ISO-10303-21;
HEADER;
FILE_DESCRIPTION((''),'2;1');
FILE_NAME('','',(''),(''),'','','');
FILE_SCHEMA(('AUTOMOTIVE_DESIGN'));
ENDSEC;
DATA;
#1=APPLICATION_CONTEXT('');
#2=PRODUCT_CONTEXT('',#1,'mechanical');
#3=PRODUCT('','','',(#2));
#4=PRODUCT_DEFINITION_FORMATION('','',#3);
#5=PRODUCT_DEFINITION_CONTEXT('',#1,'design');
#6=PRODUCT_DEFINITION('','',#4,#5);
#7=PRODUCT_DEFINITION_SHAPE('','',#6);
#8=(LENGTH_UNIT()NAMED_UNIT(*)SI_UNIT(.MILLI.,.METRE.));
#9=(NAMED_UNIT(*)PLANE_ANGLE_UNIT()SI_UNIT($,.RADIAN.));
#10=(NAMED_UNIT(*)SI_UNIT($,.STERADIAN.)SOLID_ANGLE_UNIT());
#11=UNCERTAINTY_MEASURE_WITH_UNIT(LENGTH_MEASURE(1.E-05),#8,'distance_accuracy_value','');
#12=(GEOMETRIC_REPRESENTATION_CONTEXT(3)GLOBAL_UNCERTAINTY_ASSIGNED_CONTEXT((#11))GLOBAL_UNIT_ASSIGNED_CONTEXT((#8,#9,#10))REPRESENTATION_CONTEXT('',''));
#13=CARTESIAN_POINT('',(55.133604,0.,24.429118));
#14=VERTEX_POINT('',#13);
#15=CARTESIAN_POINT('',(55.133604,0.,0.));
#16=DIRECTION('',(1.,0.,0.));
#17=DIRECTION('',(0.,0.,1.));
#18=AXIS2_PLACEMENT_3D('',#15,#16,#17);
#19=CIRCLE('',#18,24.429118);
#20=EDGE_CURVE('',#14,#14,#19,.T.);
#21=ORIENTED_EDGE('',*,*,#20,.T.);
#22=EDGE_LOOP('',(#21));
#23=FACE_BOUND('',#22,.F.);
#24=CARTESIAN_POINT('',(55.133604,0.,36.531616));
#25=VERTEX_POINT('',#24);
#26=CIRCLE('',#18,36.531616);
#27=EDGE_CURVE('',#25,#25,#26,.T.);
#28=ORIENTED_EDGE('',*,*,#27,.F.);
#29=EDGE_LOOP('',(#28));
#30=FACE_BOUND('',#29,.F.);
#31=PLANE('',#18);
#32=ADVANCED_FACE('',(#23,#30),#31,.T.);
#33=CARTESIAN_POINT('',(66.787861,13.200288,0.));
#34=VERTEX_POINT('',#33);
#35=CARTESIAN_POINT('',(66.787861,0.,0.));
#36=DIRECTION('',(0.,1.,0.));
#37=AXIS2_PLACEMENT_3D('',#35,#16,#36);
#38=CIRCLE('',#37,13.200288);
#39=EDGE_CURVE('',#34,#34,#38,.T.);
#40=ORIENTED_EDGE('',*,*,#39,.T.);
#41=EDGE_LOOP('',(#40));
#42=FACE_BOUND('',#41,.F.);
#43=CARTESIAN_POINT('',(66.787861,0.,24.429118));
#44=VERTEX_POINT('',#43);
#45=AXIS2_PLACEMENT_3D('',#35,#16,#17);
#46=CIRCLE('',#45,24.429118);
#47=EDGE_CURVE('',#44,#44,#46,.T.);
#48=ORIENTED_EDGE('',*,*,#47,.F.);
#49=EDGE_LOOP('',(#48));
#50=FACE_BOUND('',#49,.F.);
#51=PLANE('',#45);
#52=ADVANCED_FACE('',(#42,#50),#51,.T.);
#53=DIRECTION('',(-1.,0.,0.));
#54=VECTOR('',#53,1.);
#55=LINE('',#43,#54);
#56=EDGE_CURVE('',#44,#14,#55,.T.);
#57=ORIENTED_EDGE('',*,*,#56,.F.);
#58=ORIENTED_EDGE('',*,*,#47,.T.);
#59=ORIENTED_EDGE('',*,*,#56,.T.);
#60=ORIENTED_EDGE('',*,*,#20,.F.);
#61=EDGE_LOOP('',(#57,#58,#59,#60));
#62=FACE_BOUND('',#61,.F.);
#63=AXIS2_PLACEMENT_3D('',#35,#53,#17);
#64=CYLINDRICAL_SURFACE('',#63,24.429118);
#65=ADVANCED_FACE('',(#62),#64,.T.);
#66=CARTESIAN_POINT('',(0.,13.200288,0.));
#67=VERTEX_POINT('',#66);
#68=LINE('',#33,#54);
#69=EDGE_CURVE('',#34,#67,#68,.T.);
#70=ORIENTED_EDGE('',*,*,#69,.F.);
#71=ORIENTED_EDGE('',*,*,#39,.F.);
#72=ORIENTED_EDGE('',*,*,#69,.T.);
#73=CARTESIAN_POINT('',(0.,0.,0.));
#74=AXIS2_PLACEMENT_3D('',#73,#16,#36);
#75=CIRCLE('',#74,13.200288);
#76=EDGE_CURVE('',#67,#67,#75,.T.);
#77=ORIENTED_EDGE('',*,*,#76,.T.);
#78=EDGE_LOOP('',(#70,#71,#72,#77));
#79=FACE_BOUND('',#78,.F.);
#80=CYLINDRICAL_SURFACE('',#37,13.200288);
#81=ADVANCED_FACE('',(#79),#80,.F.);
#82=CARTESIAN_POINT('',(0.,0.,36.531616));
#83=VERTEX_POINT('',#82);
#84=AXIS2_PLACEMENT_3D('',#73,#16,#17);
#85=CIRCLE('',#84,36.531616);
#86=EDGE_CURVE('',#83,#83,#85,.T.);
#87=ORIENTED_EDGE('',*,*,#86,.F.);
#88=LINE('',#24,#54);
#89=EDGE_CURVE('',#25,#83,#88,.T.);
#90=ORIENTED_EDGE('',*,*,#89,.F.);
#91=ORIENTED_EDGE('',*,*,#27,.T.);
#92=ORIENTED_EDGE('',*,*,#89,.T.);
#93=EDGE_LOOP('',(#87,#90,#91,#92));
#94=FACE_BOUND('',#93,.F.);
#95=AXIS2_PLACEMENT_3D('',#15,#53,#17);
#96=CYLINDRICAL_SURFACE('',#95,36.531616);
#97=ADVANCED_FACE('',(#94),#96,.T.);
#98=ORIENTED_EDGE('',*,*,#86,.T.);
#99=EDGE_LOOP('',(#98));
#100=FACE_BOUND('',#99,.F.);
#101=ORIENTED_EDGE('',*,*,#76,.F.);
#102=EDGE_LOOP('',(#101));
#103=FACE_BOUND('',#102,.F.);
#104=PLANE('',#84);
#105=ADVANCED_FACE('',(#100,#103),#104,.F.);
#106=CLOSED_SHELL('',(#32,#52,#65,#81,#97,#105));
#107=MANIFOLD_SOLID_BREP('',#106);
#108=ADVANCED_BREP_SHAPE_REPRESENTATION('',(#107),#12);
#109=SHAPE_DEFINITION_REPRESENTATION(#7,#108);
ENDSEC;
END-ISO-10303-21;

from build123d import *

# Parameters (mm, degrees)
F3_R     = 13.200288
F4_DEPTH = 66.788861


with BuildPart() as f1:
    # F0 (on Front) → F1 (revolve)
    with BuildSketch(Plane.XZ):
        Polygon((0, 36.531616), (0, 0), (66.787861, 0), (66.787861, 24.429118), (55.133604, 24.429118), (55.133604, 36.531616), align=None)
    revolve(axis=Axis((-42.13462, 0, 0), (1, 0, 0)))

    # F3 (on face) → F4 (cut, through all)
    with BuildSketch(Plane.YZ.offset(66.787861)):
        Circle(F3_R)
    extrude(amount=-F4_DEPTH, mode=Mode.SUBTRACT)


solid = f1.part
